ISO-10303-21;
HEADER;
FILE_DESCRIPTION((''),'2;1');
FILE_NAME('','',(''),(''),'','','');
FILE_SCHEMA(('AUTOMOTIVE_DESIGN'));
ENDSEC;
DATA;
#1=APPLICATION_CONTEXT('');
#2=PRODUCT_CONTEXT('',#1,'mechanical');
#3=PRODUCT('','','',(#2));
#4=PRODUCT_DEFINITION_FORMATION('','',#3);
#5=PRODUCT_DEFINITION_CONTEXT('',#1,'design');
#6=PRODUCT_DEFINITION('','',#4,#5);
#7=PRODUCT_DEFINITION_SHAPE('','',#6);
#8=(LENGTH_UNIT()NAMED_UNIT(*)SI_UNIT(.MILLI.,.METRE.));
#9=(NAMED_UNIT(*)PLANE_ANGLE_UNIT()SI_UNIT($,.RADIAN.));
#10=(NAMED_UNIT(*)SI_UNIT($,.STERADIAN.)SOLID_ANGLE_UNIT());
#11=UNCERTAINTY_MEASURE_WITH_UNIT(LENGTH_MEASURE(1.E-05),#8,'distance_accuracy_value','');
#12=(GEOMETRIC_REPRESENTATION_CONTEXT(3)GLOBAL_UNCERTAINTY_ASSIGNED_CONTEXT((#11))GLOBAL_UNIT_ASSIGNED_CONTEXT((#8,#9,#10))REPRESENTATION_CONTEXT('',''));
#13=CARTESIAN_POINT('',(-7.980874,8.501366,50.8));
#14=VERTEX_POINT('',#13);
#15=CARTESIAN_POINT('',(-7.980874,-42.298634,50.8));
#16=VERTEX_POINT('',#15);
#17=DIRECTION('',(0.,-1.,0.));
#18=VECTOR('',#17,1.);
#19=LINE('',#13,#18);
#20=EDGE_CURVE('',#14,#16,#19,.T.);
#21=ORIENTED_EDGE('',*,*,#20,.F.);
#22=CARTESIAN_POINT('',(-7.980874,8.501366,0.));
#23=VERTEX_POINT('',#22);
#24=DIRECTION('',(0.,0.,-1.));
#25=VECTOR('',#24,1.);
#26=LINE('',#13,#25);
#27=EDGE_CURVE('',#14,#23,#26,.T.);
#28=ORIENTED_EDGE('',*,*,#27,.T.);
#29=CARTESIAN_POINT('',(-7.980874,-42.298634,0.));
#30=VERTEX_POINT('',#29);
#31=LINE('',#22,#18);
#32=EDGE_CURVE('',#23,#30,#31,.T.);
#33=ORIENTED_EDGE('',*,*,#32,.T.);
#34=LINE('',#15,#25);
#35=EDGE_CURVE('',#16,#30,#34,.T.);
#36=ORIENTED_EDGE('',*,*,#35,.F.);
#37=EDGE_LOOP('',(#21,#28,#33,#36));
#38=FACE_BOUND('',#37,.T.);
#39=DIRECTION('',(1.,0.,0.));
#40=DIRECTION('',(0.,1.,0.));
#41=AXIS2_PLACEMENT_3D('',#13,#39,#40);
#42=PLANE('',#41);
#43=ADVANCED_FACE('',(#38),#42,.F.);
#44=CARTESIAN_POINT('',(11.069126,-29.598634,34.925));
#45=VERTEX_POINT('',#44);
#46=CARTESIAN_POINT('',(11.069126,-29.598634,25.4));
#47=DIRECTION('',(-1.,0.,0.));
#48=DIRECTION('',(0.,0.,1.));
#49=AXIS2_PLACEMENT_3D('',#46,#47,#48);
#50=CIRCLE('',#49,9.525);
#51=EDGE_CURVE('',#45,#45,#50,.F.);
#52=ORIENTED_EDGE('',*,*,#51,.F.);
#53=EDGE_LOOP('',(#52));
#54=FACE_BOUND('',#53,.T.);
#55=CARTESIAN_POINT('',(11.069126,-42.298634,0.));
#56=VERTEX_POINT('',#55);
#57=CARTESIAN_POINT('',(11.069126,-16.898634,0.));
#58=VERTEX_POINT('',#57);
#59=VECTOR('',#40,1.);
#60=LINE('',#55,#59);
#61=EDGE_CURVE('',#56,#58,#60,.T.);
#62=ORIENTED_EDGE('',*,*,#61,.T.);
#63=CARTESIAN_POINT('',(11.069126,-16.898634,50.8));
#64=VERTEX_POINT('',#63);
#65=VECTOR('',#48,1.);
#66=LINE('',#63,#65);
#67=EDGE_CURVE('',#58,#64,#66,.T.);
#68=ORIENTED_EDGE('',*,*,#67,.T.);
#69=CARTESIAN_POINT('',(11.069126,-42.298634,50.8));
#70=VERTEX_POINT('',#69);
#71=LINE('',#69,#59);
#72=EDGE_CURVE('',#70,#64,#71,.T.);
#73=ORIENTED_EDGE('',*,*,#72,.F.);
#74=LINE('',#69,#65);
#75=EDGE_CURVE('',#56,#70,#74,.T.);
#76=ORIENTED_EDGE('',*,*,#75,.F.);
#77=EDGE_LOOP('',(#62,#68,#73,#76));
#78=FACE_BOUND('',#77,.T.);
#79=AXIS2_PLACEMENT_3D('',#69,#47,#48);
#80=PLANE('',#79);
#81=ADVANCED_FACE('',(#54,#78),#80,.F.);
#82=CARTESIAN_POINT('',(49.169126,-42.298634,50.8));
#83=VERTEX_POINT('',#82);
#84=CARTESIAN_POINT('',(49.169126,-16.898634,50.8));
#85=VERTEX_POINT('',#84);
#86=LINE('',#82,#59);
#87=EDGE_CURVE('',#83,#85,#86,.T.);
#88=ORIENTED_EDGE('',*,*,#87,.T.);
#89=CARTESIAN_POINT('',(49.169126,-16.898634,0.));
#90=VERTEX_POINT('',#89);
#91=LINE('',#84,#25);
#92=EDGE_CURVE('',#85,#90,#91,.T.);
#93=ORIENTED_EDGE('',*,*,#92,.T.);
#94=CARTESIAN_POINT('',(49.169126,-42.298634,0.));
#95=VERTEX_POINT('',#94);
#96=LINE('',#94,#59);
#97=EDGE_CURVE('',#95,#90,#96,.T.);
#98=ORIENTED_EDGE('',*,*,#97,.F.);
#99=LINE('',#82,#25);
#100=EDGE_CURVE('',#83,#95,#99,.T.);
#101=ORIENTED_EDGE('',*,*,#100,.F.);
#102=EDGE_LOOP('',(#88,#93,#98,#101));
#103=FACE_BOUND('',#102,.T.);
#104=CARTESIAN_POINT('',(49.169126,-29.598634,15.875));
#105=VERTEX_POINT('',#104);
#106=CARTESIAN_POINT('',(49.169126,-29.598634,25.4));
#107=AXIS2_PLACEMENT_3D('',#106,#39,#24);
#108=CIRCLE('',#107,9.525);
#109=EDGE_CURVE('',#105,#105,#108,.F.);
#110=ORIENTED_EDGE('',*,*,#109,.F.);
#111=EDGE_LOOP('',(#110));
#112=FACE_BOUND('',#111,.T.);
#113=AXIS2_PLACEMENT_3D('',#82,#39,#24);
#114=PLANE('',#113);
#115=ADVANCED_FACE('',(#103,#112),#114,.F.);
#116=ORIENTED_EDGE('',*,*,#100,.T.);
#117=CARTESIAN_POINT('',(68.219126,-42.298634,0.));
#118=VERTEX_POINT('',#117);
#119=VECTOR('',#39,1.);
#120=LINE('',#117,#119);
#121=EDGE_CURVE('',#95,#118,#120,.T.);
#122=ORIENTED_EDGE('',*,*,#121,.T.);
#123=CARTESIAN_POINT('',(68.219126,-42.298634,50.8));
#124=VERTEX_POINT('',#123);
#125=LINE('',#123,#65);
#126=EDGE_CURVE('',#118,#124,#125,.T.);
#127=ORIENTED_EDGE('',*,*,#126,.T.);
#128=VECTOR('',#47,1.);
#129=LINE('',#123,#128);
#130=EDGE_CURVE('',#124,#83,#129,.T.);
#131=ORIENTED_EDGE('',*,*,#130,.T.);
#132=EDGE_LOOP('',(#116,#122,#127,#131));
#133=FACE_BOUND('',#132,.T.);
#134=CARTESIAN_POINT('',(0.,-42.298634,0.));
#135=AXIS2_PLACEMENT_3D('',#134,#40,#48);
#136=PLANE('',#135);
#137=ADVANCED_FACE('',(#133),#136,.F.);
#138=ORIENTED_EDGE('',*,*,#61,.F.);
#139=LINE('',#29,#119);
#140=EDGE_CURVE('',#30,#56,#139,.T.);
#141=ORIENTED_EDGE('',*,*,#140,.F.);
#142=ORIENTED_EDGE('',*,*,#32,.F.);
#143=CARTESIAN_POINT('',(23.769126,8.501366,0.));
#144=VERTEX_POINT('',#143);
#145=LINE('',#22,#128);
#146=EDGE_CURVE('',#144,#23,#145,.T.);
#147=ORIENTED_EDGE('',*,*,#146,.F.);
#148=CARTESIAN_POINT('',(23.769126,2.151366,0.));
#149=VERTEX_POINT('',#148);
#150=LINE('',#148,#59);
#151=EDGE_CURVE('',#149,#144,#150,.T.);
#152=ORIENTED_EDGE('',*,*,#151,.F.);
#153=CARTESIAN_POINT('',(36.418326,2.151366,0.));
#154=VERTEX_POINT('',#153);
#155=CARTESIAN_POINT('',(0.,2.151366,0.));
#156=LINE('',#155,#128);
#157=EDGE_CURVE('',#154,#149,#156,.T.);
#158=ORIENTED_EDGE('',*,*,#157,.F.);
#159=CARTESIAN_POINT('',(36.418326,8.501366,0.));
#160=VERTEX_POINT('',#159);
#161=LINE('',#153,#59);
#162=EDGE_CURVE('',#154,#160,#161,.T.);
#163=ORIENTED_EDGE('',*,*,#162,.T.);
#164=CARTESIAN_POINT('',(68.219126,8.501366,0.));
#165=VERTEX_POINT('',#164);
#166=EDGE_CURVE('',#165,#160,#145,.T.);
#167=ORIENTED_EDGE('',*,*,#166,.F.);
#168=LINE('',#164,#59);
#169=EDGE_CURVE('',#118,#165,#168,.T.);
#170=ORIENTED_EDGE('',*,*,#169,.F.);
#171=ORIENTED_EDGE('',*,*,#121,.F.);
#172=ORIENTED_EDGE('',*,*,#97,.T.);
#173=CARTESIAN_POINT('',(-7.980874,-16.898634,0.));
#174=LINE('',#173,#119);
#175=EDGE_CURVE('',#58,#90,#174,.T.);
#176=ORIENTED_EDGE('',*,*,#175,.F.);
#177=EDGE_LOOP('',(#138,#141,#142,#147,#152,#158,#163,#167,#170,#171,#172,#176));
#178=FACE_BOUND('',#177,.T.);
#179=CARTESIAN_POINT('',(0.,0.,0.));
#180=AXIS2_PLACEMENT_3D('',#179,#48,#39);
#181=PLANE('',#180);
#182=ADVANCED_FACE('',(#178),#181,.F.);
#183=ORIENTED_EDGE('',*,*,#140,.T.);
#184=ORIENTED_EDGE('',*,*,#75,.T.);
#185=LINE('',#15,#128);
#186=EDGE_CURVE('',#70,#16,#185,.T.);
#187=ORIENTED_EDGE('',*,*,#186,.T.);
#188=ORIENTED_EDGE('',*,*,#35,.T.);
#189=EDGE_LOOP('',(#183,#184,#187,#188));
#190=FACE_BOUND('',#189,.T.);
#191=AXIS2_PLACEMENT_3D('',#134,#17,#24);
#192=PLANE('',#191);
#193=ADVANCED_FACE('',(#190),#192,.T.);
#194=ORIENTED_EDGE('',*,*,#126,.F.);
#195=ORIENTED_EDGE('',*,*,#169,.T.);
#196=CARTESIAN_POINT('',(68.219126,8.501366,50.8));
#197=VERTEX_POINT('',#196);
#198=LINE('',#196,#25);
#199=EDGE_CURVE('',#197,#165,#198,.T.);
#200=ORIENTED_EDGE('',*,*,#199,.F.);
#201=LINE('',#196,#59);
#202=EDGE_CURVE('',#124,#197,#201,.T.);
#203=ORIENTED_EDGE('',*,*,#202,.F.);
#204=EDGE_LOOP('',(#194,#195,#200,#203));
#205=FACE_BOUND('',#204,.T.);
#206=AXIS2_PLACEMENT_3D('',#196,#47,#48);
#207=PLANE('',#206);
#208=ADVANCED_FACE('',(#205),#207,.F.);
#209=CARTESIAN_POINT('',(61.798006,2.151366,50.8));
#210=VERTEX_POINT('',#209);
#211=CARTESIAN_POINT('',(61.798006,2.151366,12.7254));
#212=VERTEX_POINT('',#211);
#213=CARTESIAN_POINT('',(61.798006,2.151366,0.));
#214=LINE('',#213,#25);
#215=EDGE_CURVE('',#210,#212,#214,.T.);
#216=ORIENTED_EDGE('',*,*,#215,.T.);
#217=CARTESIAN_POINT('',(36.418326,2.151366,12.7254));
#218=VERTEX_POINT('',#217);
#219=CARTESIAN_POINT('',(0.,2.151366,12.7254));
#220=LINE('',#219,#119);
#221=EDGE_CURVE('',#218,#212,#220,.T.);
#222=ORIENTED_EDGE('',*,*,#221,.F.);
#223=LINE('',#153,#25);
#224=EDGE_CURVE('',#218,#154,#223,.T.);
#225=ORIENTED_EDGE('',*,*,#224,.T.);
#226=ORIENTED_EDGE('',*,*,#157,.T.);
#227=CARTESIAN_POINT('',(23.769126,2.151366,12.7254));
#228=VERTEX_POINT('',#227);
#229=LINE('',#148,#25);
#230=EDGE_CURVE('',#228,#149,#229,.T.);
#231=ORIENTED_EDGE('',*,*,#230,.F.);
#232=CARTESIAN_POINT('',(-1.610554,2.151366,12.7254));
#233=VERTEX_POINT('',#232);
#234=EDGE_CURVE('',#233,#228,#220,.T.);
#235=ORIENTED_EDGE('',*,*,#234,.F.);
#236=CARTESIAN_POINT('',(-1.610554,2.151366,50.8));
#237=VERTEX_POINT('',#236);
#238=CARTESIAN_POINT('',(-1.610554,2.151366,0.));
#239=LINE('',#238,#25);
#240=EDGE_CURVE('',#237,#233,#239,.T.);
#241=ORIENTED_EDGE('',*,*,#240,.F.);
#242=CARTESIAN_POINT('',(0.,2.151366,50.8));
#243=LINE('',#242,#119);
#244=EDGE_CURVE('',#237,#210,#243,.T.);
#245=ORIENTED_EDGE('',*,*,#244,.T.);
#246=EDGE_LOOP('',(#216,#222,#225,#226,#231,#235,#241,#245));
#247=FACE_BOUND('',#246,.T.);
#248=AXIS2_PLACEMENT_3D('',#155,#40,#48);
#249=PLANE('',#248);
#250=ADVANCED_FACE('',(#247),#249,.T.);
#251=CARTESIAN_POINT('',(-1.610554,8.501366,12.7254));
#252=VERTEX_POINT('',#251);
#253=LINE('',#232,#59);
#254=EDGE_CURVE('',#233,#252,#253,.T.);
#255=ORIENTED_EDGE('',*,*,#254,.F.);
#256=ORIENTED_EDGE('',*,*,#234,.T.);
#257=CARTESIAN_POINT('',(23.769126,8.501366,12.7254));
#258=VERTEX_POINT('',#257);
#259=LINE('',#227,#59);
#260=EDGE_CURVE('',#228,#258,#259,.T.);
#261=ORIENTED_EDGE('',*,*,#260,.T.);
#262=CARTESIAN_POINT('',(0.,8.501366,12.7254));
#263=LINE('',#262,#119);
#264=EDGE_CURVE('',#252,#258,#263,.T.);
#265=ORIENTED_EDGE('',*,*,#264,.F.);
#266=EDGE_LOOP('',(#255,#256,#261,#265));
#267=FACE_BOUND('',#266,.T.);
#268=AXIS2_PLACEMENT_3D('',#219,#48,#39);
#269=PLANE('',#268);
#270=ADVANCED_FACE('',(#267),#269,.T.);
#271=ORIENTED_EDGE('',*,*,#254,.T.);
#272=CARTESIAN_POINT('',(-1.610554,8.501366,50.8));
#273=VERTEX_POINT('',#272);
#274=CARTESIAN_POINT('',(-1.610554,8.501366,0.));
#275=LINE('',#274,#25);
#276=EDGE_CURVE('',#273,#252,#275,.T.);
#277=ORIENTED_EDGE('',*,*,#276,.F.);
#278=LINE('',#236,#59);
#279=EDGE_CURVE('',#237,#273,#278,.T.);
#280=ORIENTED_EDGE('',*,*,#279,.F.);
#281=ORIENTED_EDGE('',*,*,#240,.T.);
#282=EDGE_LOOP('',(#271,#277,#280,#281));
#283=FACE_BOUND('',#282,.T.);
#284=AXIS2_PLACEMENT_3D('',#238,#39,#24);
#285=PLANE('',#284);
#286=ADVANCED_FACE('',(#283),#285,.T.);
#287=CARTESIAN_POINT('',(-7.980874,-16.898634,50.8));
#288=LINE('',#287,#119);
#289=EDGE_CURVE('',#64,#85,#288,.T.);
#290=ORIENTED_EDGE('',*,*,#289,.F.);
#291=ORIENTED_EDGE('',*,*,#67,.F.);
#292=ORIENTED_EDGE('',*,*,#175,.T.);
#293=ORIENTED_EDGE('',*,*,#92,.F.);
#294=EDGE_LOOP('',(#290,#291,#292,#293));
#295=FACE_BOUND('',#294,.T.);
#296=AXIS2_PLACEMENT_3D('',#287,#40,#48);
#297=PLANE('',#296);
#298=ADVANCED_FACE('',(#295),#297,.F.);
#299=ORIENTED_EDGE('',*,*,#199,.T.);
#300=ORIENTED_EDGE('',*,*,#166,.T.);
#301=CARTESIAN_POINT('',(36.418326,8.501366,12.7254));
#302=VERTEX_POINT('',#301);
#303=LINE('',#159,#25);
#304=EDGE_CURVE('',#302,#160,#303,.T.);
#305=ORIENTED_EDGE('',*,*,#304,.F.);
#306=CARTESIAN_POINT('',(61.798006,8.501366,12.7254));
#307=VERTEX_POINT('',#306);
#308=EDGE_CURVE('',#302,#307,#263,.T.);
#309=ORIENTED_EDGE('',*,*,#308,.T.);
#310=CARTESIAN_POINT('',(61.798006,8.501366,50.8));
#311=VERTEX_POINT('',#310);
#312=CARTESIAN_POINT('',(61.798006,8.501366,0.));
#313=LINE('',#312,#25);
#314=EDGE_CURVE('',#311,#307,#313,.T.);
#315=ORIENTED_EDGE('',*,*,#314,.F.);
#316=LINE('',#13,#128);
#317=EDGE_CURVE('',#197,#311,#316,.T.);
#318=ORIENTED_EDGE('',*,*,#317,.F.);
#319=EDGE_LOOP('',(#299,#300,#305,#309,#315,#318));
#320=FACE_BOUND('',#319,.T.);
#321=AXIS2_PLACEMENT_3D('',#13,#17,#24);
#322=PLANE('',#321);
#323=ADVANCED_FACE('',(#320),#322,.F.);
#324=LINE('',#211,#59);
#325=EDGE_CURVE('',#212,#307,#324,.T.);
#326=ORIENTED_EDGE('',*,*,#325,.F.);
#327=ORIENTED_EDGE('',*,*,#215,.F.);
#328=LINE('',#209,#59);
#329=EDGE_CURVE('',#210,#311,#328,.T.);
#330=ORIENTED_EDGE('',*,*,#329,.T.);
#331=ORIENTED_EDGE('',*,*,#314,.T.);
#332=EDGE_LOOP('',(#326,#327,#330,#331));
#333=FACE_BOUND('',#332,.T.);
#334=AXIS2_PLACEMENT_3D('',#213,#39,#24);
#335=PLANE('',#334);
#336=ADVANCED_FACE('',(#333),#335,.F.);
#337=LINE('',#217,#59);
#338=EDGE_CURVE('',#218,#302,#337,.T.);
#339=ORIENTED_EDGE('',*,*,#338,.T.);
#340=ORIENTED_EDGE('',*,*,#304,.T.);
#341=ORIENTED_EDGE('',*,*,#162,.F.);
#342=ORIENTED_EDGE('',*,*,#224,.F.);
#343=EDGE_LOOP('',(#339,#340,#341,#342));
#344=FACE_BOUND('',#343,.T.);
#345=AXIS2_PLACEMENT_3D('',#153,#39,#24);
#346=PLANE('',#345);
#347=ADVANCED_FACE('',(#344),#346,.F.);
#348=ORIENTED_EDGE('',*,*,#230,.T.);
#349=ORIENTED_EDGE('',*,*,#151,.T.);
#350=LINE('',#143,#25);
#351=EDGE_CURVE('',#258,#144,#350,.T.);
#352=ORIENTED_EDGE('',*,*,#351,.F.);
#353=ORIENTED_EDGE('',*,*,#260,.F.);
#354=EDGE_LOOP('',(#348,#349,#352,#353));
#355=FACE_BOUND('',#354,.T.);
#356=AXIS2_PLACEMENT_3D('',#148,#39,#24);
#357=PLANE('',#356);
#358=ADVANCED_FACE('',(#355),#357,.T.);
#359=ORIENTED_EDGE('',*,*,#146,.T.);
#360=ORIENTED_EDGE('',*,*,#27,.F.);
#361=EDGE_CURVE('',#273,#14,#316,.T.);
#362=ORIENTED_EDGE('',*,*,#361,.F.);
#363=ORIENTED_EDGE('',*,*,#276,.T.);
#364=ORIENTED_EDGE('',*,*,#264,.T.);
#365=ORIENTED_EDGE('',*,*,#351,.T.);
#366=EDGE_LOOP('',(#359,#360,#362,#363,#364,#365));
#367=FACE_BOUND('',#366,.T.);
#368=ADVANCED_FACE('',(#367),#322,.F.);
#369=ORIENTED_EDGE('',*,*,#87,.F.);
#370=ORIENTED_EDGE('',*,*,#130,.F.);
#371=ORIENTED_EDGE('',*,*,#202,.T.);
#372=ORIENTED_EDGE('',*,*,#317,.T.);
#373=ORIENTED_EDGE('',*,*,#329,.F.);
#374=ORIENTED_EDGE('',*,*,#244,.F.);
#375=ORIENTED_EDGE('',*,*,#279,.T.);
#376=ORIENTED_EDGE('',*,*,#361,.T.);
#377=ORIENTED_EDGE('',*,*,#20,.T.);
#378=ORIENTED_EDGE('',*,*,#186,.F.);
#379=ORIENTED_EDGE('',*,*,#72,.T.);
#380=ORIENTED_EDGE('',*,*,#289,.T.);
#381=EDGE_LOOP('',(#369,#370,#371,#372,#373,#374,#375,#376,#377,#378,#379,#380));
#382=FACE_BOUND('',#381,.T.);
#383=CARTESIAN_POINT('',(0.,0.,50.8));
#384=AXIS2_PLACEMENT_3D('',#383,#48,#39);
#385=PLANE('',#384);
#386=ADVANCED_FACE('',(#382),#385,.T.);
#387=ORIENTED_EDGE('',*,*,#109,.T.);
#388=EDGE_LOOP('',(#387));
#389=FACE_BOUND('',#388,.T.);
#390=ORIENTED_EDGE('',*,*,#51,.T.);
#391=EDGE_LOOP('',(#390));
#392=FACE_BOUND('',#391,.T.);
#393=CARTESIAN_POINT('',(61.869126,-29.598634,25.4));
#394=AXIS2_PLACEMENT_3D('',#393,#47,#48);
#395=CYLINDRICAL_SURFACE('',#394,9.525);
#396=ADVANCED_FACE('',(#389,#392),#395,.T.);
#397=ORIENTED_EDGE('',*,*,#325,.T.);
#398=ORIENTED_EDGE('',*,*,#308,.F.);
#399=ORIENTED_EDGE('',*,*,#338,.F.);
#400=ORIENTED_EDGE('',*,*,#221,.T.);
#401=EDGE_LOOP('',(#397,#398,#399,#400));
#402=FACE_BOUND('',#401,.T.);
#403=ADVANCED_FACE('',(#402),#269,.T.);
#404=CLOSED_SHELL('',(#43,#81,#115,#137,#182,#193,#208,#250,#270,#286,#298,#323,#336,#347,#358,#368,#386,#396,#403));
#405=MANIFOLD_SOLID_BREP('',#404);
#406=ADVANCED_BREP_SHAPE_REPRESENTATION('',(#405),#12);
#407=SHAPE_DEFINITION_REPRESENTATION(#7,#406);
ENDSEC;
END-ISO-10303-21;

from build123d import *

# Parameters (mm, degrees)
SKETCH2_W           = 76.2
SKETCH2_H           = 25.4
BOSS_EXTRUDE1_DEPTH = 50.8
SKETCH3_W           = 19.05
SKETCH3_H           = 50.8
BOSS_EXTRUDE2_DEPTH = 25.4
SKETCH4_R           = 9.525
BOSS_EXTRUDE3_DEPTH = 50.8
SKETCH7_W           = 12.6492
SKETCH7_H           = 12.7254
CUT_EXTRUDE1_DEPTH  = 6.35


with BuildPart() as part:
    # Sketch2 → Boss-Extrude1 (new body)
    with BuildSketch(Plane.XY):
        with Locations((30.119125683, -4.19863388)):
            Rectangle(SKETCH2_W, SKETCH2_H)
    extrude(amount=BOSS_EXTRUDE1_DEPTH)

    # Sketch3 → Boss-Extrude2 (add)
    with BuildSketch(Plane.XZ.offset(16.89863388)):
        with Locations((1.544125683, 25.4)):
            Rectangle(SKETCH3_W, SKETCH3_H)
        with Locations((58.694125683, 25.4)):
            Rectangle(SKETCH3_W, SKETCH3_H)
    extrude(amount=BOSS_EXTRUDE2_DEPTH)

    # Sketch4 → Boss-Extrude3 (add)
    with BuildSketch(Plane(origin=(11.069125683, 0, 0), x_dir=(0, 0, -1), z_dir=(1, 0, 0))):
        with Locations(Location((-25.4, -29.59863388, 0), (0, 0, 180))):
            Circle(SKETCH4_R)
    extrude(amount=BOSS_EXTRUDE3_DEPTH)

    # Sketch7 → Cut-Extrude1 (cut)
    with BuildSketch(Plane(origin=(0, 8.50136612, 0), x_dir=(1, 0, 0), z_dir=(0, 1, 0))):
        Polygon((-1.610554317, -12.7254), (-1.610554317, -50.8), (61.798005683, -50.8), (61.798005683, -12.7254), (36.418325683, -12.7254), (23.769125683, -12.7254), align=None)
        with Locations((30.093725683, -6.3627)):
            Rectangle(SKETCH7_W, SKETCH7_H)
    extrude(amount=-CUT_EXTRUDE1_DEPTH, mode=Mode.SUBTRACT)


solid = part.part
